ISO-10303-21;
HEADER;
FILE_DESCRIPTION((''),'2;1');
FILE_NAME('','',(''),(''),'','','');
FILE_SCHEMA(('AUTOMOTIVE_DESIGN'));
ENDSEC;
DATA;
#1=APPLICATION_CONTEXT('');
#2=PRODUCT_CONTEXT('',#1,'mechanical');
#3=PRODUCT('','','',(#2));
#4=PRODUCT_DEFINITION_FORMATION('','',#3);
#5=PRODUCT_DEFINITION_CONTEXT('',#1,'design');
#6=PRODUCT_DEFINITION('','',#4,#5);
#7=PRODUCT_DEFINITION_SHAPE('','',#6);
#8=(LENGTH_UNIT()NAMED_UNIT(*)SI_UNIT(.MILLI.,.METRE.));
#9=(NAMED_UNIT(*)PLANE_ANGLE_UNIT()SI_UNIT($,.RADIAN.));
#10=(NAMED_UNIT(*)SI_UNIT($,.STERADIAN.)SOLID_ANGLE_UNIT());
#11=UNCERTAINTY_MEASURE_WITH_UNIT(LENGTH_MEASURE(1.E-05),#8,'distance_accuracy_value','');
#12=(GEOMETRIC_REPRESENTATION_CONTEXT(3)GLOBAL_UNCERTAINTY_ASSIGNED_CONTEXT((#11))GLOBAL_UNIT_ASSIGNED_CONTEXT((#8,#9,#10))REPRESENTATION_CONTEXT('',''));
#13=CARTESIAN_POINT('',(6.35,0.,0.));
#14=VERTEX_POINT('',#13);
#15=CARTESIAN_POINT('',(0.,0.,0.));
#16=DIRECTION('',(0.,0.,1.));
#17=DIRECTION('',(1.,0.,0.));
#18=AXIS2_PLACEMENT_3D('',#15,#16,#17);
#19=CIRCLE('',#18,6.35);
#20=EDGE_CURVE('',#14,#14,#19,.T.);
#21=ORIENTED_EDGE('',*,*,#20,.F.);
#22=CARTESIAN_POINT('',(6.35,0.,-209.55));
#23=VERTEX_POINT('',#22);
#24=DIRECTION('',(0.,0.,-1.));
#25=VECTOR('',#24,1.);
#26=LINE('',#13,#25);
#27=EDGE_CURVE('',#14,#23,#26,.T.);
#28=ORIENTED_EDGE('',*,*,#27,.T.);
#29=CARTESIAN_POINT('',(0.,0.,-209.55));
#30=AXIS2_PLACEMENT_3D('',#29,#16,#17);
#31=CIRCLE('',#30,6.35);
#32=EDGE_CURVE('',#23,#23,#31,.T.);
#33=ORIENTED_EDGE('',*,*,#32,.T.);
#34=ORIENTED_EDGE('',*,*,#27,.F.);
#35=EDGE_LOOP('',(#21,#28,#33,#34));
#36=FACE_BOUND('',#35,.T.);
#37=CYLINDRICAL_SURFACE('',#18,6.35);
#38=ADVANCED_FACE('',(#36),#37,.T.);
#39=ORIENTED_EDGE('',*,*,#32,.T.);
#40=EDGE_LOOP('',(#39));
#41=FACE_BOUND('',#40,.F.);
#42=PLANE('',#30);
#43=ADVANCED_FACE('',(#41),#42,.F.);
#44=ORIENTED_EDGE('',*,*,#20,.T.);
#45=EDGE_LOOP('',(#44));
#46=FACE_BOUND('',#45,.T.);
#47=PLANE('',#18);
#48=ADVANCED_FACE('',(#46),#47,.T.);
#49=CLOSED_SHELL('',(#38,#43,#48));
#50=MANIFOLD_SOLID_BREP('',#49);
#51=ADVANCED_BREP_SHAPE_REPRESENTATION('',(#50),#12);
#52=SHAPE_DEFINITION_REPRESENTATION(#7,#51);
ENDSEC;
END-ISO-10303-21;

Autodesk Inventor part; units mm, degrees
ref_plane "YZ Plane" through (0, 0, 0) normal (1, 0, 0) x (0, 1, 0)
ref_plane "XZ Plane" through (0, 0, 0) normal (0, 1, 0) x (-1, 0, 0)
ref_plane "XY Plane" through (0, 0, 0) normal (0, 0, 1) x (1, 0, 0)
sketch "Sketch1" plane through (0, 0, 0) normal (0, 0, 1) x (1, 0, 0)
  circle A0 centre (0, 0) radius 6.35
  dimension "d0" = 12.7
extrude "Extrusion1" add sketch "Sketch1" against normal blind 209.55
properties part number "rod"
